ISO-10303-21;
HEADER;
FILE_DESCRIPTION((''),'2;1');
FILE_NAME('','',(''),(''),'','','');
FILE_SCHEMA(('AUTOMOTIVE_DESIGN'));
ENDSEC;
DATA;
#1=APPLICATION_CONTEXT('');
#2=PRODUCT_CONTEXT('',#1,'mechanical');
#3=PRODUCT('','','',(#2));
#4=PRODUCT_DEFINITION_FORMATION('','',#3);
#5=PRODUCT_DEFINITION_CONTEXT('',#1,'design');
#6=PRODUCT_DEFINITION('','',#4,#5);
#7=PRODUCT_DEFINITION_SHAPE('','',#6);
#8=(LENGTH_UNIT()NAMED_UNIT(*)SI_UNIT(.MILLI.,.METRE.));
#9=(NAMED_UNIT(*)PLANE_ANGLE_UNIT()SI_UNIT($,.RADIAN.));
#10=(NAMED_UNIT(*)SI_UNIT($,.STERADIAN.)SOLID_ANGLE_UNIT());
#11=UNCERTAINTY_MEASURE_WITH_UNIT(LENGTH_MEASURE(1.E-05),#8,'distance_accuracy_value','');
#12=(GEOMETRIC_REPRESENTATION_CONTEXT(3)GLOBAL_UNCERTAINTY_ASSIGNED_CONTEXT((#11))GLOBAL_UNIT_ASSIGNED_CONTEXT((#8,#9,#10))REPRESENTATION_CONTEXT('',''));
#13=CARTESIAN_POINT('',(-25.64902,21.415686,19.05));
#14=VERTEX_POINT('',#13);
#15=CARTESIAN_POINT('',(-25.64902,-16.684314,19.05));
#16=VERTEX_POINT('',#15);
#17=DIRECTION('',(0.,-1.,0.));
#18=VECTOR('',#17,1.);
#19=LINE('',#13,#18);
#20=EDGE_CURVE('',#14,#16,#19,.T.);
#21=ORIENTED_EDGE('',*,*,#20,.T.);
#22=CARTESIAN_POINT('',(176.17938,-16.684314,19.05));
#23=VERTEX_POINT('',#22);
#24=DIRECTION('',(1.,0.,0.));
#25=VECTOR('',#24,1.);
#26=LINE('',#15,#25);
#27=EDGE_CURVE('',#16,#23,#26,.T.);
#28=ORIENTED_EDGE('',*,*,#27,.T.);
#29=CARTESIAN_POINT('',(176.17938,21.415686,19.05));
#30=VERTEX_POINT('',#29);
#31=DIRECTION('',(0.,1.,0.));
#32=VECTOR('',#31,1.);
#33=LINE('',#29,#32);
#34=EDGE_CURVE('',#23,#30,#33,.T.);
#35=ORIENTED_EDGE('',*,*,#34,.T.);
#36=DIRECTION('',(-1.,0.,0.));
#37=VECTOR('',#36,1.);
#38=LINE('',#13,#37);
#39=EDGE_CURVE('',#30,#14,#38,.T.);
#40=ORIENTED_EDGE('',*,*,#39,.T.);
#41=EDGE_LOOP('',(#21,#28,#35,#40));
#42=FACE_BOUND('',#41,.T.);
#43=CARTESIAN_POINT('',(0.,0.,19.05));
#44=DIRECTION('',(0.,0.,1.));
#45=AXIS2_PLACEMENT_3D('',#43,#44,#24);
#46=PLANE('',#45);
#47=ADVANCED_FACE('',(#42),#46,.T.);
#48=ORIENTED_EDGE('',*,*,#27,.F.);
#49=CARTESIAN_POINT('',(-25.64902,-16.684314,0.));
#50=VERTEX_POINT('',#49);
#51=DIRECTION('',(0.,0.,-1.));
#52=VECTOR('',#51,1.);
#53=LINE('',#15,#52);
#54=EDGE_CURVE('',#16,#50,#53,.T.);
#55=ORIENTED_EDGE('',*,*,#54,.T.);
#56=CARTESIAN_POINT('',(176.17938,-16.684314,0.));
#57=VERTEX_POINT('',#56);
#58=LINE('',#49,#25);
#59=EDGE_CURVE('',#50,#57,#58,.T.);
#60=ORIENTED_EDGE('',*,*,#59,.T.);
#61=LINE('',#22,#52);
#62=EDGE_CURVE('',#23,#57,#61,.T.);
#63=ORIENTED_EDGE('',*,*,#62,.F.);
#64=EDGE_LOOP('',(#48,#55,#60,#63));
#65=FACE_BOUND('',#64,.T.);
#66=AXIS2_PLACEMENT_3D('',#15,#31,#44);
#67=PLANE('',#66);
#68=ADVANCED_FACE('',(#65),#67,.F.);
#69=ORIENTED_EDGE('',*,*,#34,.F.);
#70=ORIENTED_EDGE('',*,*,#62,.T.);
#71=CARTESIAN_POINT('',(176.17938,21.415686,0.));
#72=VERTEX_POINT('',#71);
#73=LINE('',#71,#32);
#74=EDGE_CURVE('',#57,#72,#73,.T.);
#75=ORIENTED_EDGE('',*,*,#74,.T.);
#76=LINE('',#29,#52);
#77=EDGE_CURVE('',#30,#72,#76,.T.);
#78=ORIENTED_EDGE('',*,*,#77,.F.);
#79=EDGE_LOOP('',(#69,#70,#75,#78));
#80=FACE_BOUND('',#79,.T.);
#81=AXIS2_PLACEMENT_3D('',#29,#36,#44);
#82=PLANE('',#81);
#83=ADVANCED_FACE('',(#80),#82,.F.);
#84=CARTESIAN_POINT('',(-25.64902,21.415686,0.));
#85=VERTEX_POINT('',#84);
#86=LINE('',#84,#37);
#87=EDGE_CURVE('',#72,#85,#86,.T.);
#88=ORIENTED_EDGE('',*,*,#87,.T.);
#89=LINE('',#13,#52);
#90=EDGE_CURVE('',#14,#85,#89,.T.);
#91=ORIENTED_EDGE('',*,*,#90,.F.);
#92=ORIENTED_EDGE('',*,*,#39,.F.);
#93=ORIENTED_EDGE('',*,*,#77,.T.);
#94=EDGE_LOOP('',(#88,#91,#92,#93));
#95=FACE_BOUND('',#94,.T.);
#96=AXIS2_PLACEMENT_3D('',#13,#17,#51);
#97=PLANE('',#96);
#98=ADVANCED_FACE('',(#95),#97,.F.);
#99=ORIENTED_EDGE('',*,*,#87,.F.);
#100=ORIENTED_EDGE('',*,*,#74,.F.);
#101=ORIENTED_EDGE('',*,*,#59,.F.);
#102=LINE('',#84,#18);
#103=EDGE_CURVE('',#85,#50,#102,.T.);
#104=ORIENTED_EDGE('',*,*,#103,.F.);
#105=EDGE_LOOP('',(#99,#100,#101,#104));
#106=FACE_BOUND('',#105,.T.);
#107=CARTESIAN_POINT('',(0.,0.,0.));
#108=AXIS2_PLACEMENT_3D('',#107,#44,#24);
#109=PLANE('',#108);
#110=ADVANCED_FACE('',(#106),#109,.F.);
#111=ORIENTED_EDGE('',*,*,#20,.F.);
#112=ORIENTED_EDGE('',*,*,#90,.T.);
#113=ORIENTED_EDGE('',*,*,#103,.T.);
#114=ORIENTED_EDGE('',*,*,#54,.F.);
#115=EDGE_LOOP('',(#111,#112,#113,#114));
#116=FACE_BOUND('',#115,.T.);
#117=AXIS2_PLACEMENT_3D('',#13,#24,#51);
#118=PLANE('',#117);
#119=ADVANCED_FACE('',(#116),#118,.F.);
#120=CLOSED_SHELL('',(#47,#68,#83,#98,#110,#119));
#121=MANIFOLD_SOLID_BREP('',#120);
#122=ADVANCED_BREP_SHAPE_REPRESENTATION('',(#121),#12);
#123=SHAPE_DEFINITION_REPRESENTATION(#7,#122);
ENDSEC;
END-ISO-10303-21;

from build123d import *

# Parameters (mm, degrees)
SKETCH3_W           = 201.8284
SKETCH3_H           = 38.1
BOSS_EXTRUDE1_DEPTH = 19.05


with BuildPart() as part:
    # Sketch3 → Boss-Extrude1 (new body)
    with BuildSketch(Plane.XY):
        with Locations((75.265180392, 2.365686275)):
            Rectangle(SKETCH3_W, SKETCH3_H)
    extrude(amount=BOSS_EXTRUDE1_DEPTH)


solid = part.part
